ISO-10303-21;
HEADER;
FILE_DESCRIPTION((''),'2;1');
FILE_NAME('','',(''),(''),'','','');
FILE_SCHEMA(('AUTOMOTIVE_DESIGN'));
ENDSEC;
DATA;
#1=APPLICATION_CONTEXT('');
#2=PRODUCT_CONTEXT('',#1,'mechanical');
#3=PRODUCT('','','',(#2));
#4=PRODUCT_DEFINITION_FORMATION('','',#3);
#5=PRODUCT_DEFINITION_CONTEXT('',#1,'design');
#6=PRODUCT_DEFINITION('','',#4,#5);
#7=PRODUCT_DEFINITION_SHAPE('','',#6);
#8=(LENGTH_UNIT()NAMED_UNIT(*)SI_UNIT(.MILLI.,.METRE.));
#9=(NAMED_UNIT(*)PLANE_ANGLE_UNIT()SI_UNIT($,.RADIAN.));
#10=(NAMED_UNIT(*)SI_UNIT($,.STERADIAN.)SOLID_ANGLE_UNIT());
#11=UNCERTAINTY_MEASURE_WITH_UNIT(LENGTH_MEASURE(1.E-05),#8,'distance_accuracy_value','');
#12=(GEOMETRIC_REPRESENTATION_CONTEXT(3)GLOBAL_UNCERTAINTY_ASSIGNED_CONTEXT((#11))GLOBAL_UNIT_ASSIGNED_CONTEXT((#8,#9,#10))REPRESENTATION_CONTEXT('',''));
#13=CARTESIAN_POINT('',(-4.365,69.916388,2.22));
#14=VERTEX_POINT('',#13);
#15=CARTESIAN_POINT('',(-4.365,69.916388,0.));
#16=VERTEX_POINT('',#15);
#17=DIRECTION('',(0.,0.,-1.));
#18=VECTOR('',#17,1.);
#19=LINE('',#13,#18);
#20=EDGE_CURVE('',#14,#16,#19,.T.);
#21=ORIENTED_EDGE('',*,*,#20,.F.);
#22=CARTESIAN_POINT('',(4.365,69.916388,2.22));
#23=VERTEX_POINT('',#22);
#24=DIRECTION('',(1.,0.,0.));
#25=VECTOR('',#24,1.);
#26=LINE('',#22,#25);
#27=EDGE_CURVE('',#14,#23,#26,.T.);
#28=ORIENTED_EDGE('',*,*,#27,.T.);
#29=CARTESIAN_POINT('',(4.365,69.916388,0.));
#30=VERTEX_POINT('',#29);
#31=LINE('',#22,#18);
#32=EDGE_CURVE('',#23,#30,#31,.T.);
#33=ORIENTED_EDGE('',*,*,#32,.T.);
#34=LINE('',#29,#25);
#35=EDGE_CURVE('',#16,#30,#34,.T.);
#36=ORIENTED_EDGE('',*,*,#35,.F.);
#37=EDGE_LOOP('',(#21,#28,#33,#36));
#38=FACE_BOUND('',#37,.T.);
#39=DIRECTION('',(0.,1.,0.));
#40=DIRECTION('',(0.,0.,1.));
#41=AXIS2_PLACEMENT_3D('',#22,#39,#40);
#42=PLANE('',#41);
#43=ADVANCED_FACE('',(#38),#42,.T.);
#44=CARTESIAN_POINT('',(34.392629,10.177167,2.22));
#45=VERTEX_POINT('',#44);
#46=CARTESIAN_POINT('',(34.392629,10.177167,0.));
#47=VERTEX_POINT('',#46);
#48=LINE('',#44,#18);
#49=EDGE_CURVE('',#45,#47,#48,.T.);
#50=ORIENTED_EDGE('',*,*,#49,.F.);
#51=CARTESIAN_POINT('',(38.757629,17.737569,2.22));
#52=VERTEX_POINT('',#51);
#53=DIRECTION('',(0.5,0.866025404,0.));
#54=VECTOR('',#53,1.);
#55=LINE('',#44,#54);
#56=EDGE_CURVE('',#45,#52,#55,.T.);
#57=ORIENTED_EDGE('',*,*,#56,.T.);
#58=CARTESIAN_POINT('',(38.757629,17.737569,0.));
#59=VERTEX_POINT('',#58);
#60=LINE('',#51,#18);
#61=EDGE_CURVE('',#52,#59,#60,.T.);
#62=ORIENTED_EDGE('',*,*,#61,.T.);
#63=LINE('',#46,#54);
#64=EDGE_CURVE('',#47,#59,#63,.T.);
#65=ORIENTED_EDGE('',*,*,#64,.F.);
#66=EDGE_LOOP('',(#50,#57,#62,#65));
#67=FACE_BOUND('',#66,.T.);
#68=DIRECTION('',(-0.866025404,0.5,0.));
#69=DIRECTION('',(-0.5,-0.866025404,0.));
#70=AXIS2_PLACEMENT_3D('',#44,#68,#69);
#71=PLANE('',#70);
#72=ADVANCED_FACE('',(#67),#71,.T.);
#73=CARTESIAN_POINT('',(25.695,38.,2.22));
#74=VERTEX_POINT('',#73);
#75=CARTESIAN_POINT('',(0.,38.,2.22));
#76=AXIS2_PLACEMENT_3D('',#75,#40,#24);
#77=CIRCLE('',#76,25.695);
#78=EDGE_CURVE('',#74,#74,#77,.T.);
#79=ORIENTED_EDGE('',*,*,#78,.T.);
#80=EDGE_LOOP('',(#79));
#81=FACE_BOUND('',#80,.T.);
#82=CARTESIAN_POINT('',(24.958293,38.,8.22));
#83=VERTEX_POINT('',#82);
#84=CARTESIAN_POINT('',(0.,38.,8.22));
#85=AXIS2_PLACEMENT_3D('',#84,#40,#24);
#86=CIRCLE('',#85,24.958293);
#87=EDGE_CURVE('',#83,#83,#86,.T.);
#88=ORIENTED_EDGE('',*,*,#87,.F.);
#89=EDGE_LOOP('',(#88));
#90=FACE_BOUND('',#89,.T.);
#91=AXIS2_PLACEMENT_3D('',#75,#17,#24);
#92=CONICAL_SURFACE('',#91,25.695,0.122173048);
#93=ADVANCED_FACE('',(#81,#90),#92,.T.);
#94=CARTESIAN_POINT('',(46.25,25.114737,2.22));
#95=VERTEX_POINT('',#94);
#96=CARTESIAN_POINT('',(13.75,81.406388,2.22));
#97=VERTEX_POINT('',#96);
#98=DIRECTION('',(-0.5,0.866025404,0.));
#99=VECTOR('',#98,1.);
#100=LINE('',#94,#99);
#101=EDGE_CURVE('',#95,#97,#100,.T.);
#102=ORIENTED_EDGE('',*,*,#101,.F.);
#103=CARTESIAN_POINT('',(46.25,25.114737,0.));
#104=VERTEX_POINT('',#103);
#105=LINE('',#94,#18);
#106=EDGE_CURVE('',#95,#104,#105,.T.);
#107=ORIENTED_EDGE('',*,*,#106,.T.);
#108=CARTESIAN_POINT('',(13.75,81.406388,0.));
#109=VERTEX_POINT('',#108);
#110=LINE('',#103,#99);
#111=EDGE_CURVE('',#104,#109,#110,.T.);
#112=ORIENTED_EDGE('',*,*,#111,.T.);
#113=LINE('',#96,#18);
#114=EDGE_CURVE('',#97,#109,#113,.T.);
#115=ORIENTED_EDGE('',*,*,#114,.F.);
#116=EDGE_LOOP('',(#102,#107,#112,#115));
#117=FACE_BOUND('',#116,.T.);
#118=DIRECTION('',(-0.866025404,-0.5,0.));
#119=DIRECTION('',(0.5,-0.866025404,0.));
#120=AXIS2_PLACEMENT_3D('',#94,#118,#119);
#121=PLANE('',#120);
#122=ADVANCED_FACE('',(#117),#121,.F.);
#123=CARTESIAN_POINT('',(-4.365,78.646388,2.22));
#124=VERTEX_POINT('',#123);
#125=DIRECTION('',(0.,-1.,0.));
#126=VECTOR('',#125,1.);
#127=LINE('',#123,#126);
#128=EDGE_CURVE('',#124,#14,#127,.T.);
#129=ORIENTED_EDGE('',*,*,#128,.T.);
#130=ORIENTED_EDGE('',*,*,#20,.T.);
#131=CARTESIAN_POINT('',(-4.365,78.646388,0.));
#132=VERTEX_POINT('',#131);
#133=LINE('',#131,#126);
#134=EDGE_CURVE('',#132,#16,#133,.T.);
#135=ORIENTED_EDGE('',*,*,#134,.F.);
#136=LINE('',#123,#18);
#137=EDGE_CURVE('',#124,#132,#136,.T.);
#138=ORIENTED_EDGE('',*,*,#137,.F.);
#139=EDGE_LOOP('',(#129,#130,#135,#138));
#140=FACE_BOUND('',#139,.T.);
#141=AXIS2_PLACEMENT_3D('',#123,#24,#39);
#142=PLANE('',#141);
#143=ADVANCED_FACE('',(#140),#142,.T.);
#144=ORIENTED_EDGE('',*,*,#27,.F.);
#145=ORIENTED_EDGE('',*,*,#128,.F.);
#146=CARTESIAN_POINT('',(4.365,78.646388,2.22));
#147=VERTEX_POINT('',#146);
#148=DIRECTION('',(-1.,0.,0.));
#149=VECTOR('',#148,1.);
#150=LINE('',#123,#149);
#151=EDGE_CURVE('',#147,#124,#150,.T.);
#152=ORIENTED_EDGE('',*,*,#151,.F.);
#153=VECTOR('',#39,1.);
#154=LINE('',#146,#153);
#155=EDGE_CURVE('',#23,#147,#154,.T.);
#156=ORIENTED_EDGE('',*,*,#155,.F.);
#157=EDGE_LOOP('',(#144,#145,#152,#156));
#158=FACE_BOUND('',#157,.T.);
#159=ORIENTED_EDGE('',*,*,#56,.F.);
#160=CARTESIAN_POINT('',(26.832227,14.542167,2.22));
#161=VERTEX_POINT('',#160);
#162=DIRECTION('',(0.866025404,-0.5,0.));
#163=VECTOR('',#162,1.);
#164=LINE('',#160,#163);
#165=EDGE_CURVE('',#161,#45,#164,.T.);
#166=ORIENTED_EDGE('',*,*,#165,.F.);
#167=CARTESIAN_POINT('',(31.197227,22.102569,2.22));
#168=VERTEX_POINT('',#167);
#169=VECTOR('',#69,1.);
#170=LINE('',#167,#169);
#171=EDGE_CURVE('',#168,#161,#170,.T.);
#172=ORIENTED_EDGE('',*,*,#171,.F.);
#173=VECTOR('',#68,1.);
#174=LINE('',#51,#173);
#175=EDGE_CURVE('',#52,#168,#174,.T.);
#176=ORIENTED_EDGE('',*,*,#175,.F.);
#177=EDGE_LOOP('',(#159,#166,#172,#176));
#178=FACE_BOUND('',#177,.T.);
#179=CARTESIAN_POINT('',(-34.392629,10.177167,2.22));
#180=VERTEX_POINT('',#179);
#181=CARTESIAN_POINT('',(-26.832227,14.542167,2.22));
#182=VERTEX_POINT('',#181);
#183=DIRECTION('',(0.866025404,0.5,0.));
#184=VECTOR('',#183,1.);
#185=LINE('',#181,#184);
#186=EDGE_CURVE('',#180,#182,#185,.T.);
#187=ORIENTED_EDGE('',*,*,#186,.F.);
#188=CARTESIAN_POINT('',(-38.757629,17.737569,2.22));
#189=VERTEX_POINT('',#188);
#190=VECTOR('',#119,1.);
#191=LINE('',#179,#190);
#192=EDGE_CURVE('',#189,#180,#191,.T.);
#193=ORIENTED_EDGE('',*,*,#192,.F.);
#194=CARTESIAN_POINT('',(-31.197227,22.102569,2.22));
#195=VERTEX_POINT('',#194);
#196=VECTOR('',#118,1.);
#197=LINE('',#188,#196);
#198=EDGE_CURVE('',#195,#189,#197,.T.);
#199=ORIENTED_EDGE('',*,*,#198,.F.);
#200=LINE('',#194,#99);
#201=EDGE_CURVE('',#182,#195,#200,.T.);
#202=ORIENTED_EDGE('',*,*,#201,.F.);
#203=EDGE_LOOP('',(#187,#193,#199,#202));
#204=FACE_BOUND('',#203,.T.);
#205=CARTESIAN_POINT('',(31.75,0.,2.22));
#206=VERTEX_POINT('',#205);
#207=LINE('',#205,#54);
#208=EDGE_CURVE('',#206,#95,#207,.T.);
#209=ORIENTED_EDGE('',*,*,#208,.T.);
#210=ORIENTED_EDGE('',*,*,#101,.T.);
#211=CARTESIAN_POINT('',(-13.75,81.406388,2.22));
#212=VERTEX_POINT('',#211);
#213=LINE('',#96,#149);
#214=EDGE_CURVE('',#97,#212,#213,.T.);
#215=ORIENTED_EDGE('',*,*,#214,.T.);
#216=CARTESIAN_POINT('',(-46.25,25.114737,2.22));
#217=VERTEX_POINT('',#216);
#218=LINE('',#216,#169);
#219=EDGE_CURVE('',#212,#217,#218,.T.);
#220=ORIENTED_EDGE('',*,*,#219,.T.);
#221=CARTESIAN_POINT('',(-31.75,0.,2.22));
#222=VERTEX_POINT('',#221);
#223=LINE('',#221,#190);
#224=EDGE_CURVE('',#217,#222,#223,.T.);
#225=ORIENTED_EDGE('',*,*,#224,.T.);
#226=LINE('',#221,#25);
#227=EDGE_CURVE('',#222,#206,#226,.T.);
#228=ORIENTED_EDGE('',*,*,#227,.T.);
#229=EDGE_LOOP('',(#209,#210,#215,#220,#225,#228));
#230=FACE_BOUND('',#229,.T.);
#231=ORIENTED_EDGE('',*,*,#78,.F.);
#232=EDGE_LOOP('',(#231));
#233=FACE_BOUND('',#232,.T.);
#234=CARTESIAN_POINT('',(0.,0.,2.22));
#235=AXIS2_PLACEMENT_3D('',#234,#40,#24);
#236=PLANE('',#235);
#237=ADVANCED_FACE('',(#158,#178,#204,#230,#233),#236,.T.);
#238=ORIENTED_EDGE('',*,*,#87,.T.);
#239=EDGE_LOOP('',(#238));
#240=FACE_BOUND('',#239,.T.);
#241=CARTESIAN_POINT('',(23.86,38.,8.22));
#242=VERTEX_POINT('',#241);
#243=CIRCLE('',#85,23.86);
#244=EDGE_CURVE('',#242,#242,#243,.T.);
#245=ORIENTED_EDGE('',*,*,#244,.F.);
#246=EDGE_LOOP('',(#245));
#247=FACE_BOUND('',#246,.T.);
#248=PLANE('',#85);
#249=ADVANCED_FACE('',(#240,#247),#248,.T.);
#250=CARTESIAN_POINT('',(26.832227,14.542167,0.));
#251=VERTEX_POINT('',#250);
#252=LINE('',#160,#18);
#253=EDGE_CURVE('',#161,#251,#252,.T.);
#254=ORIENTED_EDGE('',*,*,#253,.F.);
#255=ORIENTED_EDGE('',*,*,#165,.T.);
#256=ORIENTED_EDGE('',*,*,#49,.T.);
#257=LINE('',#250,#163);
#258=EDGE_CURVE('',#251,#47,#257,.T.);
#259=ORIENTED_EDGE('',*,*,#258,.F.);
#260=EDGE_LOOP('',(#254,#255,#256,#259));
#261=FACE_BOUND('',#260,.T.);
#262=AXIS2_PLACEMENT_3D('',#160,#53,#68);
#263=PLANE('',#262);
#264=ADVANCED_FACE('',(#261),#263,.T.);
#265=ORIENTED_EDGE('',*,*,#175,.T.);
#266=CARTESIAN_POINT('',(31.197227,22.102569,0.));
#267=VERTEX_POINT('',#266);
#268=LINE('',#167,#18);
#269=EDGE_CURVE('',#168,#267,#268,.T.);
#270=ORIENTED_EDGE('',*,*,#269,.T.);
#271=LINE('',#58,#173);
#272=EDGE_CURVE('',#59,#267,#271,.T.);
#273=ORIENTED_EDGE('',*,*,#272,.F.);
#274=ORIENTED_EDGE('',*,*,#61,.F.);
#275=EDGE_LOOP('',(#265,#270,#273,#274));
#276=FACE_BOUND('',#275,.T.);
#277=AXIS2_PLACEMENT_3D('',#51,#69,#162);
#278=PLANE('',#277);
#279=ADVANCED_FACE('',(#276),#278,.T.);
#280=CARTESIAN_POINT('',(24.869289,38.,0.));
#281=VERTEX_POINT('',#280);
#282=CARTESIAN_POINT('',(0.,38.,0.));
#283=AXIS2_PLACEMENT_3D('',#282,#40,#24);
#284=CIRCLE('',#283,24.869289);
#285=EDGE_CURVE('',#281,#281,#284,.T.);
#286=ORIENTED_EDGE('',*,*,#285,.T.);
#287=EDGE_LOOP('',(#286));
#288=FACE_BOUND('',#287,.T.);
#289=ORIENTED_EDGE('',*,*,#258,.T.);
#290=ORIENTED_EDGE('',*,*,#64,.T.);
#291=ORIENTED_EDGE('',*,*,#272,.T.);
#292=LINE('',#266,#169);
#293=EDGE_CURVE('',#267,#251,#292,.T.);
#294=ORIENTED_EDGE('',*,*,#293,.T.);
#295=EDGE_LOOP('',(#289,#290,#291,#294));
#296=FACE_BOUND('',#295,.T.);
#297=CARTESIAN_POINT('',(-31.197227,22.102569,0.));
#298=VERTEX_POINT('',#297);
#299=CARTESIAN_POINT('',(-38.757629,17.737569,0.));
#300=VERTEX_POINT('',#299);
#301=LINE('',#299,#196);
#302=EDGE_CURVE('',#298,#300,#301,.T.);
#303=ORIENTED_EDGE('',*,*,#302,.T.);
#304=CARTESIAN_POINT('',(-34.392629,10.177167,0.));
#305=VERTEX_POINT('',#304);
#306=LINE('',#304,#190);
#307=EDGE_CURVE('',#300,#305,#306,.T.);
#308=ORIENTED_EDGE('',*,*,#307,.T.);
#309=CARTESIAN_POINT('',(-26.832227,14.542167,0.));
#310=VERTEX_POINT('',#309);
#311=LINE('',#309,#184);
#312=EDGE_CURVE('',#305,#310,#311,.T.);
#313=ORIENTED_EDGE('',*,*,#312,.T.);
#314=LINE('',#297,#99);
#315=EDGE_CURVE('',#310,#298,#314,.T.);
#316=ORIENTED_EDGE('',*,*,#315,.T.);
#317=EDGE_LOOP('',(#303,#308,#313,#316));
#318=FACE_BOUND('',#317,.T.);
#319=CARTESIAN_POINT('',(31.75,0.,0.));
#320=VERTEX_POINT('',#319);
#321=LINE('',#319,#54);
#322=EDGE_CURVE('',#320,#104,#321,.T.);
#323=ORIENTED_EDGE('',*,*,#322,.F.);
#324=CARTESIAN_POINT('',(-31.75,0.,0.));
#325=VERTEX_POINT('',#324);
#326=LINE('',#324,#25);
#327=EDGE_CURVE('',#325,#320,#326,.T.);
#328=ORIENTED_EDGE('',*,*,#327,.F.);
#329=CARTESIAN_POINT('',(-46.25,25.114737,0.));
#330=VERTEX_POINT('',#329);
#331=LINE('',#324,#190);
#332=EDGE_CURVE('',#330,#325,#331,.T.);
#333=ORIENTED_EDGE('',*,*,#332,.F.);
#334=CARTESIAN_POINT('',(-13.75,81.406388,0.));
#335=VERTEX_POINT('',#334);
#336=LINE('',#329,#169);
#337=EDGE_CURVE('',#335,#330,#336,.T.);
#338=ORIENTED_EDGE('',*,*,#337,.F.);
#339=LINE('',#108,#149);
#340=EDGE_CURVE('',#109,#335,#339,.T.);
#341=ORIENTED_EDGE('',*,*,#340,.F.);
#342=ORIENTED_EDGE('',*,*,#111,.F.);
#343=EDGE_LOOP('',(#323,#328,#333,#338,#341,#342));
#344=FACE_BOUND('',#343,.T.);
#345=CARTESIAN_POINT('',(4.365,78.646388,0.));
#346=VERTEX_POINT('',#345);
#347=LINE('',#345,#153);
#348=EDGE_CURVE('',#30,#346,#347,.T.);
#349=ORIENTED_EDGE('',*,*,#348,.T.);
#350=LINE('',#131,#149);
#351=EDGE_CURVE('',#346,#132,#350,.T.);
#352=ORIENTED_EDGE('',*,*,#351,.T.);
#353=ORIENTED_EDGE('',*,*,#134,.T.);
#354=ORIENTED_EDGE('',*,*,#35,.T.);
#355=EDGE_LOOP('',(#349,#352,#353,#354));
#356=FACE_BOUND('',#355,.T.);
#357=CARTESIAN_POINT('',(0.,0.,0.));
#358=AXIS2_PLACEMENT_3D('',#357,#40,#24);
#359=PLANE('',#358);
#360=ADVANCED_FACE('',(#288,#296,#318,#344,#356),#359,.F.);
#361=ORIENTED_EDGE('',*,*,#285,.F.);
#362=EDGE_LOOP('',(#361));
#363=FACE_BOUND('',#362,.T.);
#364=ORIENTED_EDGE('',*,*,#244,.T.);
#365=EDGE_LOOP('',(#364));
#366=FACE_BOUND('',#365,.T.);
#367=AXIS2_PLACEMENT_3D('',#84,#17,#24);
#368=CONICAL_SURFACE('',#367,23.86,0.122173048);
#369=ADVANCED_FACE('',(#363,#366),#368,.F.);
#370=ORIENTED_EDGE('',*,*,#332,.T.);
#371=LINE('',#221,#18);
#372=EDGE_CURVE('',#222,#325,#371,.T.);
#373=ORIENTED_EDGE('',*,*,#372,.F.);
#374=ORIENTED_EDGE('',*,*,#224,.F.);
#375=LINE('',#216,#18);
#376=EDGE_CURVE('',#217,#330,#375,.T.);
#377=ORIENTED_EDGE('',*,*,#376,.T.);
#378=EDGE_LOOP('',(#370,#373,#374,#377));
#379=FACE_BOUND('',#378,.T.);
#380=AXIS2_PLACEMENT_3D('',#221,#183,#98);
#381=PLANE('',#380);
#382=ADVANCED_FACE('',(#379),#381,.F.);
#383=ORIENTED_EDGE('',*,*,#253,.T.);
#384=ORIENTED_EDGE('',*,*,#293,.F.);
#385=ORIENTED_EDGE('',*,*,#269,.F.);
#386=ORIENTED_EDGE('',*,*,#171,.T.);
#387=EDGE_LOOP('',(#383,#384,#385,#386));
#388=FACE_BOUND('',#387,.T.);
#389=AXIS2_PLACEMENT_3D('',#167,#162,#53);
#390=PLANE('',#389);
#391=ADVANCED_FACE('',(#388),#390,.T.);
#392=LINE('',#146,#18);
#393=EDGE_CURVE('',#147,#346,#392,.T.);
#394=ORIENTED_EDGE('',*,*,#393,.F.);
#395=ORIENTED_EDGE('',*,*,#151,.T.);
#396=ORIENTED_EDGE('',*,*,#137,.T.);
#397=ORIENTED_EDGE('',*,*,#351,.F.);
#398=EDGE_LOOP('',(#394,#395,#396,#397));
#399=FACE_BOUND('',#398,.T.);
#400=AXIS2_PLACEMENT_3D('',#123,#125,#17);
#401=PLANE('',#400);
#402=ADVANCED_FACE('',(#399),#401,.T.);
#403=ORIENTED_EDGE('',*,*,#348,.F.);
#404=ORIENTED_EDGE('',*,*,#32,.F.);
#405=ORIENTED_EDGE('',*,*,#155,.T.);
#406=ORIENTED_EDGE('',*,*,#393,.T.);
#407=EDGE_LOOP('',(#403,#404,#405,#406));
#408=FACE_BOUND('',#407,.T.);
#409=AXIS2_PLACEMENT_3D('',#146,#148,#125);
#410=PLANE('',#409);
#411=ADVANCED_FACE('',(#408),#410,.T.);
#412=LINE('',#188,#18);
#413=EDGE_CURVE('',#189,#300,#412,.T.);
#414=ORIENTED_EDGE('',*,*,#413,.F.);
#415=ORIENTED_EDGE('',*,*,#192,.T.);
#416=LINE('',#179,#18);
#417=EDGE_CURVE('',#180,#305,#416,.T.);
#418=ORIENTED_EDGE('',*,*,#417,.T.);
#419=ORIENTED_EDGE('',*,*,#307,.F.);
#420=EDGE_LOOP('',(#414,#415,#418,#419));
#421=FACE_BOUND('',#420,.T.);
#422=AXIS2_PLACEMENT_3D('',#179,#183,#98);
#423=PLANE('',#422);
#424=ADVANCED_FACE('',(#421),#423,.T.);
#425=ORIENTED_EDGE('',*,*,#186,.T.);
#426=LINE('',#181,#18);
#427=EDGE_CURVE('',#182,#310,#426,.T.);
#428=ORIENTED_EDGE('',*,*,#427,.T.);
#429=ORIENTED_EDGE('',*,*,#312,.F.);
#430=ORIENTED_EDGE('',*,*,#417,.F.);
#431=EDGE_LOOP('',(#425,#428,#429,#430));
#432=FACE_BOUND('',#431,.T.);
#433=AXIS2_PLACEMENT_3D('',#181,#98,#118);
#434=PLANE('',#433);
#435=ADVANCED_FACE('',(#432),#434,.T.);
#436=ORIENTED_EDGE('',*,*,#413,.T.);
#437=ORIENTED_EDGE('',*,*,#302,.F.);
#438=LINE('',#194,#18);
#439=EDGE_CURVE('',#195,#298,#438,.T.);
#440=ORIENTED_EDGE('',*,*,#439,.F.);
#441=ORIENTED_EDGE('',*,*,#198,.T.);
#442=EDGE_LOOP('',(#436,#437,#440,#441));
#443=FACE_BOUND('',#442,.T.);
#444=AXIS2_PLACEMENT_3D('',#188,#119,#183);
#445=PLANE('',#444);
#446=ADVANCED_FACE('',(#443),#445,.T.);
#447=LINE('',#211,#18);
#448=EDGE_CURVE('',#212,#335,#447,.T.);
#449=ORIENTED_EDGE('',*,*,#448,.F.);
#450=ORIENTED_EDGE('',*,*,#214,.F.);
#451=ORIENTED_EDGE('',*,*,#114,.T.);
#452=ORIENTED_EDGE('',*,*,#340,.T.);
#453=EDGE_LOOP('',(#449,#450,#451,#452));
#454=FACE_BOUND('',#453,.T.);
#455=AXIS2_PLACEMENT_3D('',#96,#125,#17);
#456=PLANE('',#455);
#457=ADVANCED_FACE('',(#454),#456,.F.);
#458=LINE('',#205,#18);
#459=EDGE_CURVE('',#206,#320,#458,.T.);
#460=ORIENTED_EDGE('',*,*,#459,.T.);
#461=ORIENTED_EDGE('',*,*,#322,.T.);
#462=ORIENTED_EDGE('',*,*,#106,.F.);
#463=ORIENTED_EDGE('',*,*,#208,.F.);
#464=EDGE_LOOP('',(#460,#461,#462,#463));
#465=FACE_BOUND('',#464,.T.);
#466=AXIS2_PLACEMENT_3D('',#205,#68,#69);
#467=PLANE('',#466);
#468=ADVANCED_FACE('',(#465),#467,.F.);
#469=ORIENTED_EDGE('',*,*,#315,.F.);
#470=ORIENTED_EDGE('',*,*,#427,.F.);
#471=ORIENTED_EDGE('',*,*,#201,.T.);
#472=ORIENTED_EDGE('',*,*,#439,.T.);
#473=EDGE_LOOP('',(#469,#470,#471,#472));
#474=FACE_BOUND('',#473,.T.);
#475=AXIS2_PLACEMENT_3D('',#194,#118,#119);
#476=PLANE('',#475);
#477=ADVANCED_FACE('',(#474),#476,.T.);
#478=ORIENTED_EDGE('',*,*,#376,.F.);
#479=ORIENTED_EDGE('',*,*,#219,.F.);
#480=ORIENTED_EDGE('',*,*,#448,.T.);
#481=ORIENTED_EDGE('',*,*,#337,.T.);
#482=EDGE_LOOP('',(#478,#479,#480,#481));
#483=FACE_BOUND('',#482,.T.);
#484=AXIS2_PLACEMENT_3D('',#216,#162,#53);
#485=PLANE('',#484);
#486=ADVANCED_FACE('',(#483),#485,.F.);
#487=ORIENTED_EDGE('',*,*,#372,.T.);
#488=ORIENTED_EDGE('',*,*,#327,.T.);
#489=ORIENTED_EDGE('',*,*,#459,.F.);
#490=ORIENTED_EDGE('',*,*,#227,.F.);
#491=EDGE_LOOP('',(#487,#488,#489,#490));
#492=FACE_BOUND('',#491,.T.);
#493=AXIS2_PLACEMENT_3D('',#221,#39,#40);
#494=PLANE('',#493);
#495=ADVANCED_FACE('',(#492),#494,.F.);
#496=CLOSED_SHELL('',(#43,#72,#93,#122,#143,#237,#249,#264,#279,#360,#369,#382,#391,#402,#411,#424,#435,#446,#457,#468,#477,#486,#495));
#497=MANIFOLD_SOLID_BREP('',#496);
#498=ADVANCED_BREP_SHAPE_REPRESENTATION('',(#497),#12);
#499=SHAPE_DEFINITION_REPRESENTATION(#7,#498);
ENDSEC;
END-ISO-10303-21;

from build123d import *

# Parameters (mm, degrees)
SKETCH1_W           = 8.73
SKETCH1_H           = 8.73
BOSS_EXTRUDE1_DEPTH = 2.22
SKETCH2_R           = 25.695
BOSS_EXTRUDE2_DEPTH = 6
BOSS_EXTRUDE2_TAPER = 7
SKETCH3_R           = 23.86
CUT_EXTRUDE1_DEPTH  = 8.22
CUT_EXTRUDE1_DRAFT  = 7


with BuildPart() as part:
    # Sketch1 → Boss-Extrude1 (new body)
    with BuildSketch(Plane.XY):
        Polygon((-31.75, 0), (31.75, 0), (46.25, 25.11473671), (13.75, 81.406387956), (-13.75, 81.406387956), (-46.25, 25.11473671), align=None)
        Polygon((-34.392628869, 10.177167467), (-38.757628869, 17.737569242), (-31.197227094, 22.102569242), (-26.832227094, 14.542167467), align=None, mode=Mode.SUBTRACT)
        with Locations((0, 74.281387956)):
            Rectangle(SKETCH1_W, SKETCH1_H, mode=Mode.SUBTRACT)
        Polygon((34.392628869, 10.177167467), (38.757628869, 17.737569242), (31.197227094, 22.102569242), (26.832227094, 14.542167467), align=None, mode=Mode.SUBTRACT)
    extrude(amount=BOSS_EXTRUDE1_DEPTH)

    # Sketch2 → Boss-Extrude2 (add)
    with BuildSketch(Plane.XY.offset(2.22)):
        with Locations((0, 38)):
            Circle(SKETCH2_R)
    extrude(amount=BOSS_EXTRUDE2_DEPTH, taper=BOSS_EXTRUDE2_TAPER)


with BuildPart() as cut_extrude1_tool:
    # Sketch3 → Cut-Extrude1 (with draft: the straight prism first)
    with BuildSketch(Plane.XY.offset(8.22)):
        with Locations((0, 38)):
            Circle(SKETCH3_R)
    extrude(amount=-CUT_EXTRUDE1_DEPTH)
    # Cut-Extrude1: the draft: its side faces are tilted about the plane it starts from
    cut_extrude1_sides = [cut_extrude1_tool.faces().sort_by_distance(p)[0] for p in [
        (-23.86, 38, 4.11),
    ]]
    draft(cut_extrude1_sides, Plane.XY.offset(8.22), CUT_EXTRUDE1_DRAFT)


with BuildPart() as part_1:
    add(part.part)

    # Cut-Extrude1: cut by cut_extrude1_tool
    add(cut_extrude1_tool.part, mode=Mode.SUBTRACT)


solid = part_1.part
